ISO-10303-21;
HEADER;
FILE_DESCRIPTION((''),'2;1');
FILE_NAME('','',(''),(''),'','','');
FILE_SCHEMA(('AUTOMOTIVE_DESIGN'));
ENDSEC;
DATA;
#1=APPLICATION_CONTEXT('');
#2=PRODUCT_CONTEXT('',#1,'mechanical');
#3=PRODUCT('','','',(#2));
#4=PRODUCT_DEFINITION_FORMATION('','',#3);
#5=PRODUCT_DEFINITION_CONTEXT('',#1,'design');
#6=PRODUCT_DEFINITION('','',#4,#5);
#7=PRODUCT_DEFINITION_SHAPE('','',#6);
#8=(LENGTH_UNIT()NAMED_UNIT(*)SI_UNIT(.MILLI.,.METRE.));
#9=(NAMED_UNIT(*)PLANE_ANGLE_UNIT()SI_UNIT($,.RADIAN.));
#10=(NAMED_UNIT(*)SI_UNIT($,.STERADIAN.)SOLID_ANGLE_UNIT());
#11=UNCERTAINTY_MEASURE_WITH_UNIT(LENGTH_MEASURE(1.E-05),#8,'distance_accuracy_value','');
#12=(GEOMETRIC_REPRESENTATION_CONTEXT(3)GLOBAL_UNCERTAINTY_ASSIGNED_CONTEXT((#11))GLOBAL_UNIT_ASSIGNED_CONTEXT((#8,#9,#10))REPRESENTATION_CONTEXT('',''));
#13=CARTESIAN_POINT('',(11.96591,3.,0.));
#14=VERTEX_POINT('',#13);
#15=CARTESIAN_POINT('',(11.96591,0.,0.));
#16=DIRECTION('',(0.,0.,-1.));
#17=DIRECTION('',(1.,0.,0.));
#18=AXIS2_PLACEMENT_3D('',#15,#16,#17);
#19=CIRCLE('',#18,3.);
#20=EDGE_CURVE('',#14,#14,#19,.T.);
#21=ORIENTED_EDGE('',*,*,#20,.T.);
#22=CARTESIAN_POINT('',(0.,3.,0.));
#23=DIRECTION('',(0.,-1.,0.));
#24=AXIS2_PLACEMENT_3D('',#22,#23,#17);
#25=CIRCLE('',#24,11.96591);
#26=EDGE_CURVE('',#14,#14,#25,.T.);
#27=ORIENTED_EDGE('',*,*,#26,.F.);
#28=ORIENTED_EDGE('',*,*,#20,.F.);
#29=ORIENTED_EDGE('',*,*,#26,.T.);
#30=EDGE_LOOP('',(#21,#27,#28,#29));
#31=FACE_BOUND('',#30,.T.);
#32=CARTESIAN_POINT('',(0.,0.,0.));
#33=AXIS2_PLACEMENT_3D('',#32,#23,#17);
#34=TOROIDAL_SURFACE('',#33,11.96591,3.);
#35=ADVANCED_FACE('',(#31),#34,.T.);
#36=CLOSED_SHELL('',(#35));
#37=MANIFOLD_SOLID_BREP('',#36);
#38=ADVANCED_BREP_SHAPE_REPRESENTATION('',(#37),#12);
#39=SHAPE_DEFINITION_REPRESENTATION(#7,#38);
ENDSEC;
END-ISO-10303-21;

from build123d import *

# Parameters (mm, degrees)
F0_R     = 10
F3_SCALE = 0.3


with BuildPart() as f2:
    # F2: sweep along a path in F1
    with BuildLine(Plane.XZ) as f2_path:
        CenterArc((0, 0), 29.886366576, 0, 360)
    # F0 (on Right) → F2 (sweep)
    with BuildSketch(Plane.YZ):
        with Locations((0, 39.886366576)):
            Circle(F0_R)
    sweep(path=f2_path.line)


with BuildPart() as f2_1:
    # F3: moved
    add(f2.part.scale(F3_SCALE))


solid = f2_1.part
